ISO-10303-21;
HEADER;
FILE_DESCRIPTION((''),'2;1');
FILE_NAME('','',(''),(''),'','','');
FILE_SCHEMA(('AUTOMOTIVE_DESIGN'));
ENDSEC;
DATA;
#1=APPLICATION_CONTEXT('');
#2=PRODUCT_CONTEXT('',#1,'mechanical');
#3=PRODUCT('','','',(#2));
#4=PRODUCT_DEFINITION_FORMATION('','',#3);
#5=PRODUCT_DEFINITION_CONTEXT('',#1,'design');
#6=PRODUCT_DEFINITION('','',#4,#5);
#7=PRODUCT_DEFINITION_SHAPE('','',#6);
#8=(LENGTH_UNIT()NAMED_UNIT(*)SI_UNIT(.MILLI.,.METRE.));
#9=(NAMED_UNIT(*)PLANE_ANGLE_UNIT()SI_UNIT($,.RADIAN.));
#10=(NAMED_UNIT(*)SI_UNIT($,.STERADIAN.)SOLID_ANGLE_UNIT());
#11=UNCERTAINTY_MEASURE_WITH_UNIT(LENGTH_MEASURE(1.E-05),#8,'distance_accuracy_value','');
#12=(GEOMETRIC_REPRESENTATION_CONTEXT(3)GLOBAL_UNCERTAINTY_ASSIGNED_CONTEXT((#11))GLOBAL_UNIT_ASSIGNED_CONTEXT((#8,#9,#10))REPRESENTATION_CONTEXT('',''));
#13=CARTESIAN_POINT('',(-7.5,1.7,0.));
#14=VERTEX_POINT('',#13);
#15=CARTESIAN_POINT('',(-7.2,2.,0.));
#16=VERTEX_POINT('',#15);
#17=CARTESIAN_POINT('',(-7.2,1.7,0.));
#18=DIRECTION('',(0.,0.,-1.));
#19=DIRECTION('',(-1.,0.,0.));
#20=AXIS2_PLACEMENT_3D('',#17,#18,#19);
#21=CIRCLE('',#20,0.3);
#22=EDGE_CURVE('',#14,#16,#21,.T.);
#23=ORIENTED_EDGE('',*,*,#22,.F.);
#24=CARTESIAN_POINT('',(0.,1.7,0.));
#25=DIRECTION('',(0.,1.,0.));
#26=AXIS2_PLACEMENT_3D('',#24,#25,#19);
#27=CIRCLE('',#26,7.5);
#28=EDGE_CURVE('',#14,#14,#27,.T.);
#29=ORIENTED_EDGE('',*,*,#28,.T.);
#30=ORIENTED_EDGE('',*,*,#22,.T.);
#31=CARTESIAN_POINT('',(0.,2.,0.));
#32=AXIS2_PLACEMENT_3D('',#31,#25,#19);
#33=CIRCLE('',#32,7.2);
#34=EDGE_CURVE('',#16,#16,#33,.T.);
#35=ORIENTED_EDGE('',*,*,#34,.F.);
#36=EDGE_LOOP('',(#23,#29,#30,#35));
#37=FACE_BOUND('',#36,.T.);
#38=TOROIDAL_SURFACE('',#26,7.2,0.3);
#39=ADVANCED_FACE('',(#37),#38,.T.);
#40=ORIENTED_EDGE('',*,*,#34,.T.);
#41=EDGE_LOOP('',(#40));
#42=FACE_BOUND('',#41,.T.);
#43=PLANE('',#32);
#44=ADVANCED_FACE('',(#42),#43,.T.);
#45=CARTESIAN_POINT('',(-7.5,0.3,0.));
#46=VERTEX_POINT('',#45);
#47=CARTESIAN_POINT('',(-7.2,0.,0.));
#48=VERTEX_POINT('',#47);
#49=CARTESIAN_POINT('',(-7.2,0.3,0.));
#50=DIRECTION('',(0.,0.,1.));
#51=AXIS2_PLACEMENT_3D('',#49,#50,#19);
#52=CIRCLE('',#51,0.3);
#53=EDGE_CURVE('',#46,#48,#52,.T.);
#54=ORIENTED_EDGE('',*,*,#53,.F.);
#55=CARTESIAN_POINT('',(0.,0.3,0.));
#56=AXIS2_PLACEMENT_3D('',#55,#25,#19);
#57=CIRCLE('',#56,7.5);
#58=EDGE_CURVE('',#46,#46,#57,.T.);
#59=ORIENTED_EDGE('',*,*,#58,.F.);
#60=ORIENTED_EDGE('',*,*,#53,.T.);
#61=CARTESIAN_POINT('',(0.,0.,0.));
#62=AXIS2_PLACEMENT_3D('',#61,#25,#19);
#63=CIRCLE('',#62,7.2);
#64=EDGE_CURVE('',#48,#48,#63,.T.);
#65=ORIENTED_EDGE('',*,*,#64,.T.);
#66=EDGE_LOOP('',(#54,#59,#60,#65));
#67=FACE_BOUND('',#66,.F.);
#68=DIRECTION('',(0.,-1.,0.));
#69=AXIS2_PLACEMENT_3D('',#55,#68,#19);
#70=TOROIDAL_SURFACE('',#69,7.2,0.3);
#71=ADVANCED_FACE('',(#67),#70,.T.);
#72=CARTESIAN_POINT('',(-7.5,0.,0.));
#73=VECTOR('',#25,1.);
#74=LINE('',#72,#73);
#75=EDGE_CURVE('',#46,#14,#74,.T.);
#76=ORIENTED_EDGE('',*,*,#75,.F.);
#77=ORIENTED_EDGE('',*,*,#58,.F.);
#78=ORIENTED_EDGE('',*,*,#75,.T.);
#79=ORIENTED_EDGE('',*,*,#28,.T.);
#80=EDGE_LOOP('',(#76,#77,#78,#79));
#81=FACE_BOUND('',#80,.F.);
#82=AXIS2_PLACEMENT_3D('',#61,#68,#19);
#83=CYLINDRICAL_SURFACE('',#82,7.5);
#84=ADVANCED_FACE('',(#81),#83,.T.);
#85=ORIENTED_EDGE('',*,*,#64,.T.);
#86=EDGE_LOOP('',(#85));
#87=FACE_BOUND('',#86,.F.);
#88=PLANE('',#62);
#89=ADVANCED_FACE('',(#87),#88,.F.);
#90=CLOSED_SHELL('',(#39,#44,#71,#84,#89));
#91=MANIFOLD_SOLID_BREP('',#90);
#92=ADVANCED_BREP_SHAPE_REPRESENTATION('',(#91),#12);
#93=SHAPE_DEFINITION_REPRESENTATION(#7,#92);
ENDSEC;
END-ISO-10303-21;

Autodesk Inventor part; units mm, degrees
ref_plane "YZ Plane" through (0, 0, 0) normal (1, 0, 0) x (0, 1, 0)
ref_plane "XZ Plane" through (0, 0, 0) normal (0, 1, 0) x (-1, 0, 0)
ref_plane "XY Plane" through (0, 0, 0) normal (0, 0, 1) x (1, 0, 0)
sketch "Эскиз1" plane through (0, 0, 0) normal (0, 1, 0) x (-1, 0, 0)
  circle A0 centre (0, 0) radius 7.5
  dimension "d0" = 15
extrude "Выдавливание1" add sketch "Эскиз1" along normal blind 2
fillet "Сопряжение1" radius 0.3 2 edges at (7.5, 2, 0) (7.5, 0, 0)
properties part number "magnit"
